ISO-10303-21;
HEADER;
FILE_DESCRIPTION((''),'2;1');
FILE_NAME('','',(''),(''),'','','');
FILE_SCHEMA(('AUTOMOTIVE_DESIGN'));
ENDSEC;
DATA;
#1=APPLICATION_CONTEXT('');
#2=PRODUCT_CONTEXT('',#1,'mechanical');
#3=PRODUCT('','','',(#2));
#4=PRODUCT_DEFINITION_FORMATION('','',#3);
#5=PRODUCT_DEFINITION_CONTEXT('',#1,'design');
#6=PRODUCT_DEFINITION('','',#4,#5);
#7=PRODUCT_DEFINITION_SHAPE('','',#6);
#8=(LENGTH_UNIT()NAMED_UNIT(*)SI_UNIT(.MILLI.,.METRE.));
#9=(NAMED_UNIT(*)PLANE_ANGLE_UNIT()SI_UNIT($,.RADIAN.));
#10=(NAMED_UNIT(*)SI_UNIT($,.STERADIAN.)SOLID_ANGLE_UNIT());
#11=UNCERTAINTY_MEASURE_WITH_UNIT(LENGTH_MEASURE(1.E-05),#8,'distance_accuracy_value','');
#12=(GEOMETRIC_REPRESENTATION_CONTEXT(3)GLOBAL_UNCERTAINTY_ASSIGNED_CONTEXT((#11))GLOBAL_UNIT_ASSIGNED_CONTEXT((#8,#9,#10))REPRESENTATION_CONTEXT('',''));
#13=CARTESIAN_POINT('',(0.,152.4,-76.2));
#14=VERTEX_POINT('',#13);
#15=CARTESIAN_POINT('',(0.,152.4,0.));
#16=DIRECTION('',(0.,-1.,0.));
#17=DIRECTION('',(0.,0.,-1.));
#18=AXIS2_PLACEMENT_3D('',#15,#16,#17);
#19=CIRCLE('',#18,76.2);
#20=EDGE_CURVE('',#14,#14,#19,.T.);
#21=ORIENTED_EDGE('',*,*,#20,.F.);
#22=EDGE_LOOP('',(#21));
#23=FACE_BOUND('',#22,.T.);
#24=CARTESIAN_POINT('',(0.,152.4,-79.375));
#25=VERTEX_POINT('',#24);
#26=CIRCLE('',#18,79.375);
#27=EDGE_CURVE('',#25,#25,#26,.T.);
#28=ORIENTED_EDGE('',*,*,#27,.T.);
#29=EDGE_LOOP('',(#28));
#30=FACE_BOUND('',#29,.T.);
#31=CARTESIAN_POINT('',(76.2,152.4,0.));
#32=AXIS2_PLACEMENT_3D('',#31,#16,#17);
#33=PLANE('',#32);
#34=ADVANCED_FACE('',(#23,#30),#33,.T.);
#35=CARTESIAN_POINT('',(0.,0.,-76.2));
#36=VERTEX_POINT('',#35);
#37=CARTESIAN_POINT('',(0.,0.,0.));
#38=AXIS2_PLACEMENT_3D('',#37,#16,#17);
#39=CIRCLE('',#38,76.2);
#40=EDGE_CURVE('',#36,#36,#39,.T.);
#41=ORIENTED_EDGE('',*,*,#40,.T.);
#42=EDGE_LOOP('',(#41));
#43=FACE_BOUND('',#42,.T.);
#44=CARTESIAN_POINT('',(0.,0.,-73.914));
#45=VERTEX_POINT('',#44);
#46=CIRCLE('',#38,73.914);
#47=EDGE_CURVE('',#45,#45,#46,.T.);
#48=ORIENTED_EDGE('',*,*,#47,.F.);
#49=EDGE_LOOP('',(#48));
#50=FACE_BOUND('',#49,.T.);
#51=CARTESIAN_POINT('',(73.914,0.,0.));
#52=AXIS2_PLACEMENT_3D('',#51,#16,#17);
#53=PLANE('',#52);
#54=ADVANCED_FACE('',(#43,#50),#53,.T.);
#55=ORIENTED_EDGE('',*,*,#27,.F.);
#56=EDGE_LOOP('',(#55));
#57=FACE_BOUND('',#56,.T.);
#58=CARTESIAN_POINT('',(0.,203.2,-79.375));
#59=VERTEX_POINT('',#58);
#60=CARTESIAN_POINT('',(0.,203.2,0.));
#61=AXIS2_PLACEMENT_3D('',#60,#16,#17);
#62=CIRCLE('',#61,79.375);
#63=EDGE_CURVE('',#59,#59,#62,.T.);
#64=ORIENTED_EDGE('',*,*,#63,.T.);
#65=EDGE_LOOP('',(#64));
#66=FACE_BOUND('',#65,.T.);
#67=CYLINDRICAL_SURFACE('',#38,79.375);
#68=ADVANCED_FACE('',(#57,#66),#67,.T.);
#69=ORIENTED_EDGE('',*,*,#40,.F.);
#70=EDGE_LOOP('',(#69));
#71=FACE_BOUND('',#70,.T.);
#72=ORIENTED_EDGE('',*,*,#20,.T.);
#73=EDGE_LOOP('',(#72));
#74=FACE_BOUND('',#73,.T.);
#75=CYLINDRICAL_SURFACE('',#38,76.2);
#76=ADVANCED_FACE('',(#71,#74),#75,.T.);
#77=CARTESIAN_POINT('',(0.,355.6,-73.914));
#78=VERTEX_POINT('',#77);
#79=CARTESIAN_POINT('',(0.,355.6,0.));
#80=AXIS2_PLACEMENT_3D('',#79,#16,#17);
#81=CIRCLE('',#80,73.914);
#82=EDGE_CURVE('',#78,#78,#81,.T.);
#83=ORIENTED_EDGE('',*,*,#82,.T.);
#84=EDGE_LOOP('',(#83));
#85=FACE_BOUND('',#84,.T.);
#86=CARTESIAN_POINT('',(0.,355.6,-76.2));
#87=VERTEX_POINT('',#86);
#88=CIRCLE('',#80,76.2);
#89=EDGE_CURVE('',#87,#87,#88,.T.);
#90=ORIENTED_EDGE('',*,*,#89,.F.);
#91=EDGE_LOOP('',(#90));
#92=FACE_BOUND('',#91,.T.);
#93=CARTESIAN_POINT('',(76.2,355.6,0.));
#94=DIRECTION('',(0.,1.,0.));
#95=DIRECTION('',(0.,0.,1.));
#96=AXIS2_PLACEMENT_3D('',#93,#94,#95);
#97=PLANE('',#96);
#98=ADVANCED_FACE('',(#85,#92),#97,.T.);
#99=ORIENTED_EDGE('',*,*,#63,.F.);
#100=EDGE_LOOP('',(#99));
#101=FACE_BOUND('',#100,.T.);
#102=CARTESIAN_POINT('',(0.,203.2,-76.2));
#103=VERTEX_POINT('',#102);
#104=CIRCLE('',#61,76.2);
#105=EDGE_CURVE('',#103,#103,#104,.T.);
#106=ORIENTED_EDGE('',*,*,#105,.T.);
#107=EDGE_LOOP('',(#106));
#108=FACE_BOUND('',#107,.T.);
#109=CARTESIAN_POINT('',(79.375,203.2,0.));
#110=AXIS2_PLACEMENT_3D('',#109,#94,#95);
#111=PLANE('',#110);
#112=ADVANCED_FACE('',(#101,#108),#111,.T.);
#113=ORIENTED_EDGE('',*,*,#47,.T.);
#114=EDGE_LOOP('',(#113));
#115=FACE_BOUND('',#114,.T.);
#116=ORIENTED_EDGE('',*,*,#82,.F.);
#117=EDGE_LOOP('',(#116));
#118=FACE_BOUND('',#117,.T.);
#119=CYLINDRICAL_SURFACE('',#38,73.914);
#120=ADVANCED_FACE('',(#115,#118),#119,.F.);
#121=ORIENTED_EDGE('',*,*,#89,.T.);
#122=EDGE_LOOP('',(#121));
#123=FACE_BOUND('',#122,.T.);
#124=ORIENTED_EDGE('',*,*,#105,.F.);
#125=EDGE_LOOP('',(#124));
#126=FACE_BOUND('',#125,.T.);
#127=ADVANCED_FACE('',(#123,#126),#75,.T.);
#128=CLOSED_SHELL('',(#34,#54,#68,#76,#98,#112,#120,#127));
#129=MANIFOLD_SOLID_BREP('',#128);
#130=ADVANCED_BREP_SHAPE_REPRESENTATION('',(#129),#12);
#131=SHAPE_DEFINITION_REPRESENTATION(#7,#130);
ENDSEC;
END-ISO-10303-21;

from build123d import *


with BuildPart() as part:
    # Sketch1 → Revolve1 (revolve)
    with BuildSketch(Plane.XY):
        Polygon((73.914, 0), (73.914, 355.6), (76.2, 355.6), (76.2, 203.2), (79.375, 203.2), (79.375, 152.4), (76.2, 152.4), (76.2, 0), align=None)
    revolve(axis=Axis((0, 0, 0), (0, 1, 0)))


solid = part.part
